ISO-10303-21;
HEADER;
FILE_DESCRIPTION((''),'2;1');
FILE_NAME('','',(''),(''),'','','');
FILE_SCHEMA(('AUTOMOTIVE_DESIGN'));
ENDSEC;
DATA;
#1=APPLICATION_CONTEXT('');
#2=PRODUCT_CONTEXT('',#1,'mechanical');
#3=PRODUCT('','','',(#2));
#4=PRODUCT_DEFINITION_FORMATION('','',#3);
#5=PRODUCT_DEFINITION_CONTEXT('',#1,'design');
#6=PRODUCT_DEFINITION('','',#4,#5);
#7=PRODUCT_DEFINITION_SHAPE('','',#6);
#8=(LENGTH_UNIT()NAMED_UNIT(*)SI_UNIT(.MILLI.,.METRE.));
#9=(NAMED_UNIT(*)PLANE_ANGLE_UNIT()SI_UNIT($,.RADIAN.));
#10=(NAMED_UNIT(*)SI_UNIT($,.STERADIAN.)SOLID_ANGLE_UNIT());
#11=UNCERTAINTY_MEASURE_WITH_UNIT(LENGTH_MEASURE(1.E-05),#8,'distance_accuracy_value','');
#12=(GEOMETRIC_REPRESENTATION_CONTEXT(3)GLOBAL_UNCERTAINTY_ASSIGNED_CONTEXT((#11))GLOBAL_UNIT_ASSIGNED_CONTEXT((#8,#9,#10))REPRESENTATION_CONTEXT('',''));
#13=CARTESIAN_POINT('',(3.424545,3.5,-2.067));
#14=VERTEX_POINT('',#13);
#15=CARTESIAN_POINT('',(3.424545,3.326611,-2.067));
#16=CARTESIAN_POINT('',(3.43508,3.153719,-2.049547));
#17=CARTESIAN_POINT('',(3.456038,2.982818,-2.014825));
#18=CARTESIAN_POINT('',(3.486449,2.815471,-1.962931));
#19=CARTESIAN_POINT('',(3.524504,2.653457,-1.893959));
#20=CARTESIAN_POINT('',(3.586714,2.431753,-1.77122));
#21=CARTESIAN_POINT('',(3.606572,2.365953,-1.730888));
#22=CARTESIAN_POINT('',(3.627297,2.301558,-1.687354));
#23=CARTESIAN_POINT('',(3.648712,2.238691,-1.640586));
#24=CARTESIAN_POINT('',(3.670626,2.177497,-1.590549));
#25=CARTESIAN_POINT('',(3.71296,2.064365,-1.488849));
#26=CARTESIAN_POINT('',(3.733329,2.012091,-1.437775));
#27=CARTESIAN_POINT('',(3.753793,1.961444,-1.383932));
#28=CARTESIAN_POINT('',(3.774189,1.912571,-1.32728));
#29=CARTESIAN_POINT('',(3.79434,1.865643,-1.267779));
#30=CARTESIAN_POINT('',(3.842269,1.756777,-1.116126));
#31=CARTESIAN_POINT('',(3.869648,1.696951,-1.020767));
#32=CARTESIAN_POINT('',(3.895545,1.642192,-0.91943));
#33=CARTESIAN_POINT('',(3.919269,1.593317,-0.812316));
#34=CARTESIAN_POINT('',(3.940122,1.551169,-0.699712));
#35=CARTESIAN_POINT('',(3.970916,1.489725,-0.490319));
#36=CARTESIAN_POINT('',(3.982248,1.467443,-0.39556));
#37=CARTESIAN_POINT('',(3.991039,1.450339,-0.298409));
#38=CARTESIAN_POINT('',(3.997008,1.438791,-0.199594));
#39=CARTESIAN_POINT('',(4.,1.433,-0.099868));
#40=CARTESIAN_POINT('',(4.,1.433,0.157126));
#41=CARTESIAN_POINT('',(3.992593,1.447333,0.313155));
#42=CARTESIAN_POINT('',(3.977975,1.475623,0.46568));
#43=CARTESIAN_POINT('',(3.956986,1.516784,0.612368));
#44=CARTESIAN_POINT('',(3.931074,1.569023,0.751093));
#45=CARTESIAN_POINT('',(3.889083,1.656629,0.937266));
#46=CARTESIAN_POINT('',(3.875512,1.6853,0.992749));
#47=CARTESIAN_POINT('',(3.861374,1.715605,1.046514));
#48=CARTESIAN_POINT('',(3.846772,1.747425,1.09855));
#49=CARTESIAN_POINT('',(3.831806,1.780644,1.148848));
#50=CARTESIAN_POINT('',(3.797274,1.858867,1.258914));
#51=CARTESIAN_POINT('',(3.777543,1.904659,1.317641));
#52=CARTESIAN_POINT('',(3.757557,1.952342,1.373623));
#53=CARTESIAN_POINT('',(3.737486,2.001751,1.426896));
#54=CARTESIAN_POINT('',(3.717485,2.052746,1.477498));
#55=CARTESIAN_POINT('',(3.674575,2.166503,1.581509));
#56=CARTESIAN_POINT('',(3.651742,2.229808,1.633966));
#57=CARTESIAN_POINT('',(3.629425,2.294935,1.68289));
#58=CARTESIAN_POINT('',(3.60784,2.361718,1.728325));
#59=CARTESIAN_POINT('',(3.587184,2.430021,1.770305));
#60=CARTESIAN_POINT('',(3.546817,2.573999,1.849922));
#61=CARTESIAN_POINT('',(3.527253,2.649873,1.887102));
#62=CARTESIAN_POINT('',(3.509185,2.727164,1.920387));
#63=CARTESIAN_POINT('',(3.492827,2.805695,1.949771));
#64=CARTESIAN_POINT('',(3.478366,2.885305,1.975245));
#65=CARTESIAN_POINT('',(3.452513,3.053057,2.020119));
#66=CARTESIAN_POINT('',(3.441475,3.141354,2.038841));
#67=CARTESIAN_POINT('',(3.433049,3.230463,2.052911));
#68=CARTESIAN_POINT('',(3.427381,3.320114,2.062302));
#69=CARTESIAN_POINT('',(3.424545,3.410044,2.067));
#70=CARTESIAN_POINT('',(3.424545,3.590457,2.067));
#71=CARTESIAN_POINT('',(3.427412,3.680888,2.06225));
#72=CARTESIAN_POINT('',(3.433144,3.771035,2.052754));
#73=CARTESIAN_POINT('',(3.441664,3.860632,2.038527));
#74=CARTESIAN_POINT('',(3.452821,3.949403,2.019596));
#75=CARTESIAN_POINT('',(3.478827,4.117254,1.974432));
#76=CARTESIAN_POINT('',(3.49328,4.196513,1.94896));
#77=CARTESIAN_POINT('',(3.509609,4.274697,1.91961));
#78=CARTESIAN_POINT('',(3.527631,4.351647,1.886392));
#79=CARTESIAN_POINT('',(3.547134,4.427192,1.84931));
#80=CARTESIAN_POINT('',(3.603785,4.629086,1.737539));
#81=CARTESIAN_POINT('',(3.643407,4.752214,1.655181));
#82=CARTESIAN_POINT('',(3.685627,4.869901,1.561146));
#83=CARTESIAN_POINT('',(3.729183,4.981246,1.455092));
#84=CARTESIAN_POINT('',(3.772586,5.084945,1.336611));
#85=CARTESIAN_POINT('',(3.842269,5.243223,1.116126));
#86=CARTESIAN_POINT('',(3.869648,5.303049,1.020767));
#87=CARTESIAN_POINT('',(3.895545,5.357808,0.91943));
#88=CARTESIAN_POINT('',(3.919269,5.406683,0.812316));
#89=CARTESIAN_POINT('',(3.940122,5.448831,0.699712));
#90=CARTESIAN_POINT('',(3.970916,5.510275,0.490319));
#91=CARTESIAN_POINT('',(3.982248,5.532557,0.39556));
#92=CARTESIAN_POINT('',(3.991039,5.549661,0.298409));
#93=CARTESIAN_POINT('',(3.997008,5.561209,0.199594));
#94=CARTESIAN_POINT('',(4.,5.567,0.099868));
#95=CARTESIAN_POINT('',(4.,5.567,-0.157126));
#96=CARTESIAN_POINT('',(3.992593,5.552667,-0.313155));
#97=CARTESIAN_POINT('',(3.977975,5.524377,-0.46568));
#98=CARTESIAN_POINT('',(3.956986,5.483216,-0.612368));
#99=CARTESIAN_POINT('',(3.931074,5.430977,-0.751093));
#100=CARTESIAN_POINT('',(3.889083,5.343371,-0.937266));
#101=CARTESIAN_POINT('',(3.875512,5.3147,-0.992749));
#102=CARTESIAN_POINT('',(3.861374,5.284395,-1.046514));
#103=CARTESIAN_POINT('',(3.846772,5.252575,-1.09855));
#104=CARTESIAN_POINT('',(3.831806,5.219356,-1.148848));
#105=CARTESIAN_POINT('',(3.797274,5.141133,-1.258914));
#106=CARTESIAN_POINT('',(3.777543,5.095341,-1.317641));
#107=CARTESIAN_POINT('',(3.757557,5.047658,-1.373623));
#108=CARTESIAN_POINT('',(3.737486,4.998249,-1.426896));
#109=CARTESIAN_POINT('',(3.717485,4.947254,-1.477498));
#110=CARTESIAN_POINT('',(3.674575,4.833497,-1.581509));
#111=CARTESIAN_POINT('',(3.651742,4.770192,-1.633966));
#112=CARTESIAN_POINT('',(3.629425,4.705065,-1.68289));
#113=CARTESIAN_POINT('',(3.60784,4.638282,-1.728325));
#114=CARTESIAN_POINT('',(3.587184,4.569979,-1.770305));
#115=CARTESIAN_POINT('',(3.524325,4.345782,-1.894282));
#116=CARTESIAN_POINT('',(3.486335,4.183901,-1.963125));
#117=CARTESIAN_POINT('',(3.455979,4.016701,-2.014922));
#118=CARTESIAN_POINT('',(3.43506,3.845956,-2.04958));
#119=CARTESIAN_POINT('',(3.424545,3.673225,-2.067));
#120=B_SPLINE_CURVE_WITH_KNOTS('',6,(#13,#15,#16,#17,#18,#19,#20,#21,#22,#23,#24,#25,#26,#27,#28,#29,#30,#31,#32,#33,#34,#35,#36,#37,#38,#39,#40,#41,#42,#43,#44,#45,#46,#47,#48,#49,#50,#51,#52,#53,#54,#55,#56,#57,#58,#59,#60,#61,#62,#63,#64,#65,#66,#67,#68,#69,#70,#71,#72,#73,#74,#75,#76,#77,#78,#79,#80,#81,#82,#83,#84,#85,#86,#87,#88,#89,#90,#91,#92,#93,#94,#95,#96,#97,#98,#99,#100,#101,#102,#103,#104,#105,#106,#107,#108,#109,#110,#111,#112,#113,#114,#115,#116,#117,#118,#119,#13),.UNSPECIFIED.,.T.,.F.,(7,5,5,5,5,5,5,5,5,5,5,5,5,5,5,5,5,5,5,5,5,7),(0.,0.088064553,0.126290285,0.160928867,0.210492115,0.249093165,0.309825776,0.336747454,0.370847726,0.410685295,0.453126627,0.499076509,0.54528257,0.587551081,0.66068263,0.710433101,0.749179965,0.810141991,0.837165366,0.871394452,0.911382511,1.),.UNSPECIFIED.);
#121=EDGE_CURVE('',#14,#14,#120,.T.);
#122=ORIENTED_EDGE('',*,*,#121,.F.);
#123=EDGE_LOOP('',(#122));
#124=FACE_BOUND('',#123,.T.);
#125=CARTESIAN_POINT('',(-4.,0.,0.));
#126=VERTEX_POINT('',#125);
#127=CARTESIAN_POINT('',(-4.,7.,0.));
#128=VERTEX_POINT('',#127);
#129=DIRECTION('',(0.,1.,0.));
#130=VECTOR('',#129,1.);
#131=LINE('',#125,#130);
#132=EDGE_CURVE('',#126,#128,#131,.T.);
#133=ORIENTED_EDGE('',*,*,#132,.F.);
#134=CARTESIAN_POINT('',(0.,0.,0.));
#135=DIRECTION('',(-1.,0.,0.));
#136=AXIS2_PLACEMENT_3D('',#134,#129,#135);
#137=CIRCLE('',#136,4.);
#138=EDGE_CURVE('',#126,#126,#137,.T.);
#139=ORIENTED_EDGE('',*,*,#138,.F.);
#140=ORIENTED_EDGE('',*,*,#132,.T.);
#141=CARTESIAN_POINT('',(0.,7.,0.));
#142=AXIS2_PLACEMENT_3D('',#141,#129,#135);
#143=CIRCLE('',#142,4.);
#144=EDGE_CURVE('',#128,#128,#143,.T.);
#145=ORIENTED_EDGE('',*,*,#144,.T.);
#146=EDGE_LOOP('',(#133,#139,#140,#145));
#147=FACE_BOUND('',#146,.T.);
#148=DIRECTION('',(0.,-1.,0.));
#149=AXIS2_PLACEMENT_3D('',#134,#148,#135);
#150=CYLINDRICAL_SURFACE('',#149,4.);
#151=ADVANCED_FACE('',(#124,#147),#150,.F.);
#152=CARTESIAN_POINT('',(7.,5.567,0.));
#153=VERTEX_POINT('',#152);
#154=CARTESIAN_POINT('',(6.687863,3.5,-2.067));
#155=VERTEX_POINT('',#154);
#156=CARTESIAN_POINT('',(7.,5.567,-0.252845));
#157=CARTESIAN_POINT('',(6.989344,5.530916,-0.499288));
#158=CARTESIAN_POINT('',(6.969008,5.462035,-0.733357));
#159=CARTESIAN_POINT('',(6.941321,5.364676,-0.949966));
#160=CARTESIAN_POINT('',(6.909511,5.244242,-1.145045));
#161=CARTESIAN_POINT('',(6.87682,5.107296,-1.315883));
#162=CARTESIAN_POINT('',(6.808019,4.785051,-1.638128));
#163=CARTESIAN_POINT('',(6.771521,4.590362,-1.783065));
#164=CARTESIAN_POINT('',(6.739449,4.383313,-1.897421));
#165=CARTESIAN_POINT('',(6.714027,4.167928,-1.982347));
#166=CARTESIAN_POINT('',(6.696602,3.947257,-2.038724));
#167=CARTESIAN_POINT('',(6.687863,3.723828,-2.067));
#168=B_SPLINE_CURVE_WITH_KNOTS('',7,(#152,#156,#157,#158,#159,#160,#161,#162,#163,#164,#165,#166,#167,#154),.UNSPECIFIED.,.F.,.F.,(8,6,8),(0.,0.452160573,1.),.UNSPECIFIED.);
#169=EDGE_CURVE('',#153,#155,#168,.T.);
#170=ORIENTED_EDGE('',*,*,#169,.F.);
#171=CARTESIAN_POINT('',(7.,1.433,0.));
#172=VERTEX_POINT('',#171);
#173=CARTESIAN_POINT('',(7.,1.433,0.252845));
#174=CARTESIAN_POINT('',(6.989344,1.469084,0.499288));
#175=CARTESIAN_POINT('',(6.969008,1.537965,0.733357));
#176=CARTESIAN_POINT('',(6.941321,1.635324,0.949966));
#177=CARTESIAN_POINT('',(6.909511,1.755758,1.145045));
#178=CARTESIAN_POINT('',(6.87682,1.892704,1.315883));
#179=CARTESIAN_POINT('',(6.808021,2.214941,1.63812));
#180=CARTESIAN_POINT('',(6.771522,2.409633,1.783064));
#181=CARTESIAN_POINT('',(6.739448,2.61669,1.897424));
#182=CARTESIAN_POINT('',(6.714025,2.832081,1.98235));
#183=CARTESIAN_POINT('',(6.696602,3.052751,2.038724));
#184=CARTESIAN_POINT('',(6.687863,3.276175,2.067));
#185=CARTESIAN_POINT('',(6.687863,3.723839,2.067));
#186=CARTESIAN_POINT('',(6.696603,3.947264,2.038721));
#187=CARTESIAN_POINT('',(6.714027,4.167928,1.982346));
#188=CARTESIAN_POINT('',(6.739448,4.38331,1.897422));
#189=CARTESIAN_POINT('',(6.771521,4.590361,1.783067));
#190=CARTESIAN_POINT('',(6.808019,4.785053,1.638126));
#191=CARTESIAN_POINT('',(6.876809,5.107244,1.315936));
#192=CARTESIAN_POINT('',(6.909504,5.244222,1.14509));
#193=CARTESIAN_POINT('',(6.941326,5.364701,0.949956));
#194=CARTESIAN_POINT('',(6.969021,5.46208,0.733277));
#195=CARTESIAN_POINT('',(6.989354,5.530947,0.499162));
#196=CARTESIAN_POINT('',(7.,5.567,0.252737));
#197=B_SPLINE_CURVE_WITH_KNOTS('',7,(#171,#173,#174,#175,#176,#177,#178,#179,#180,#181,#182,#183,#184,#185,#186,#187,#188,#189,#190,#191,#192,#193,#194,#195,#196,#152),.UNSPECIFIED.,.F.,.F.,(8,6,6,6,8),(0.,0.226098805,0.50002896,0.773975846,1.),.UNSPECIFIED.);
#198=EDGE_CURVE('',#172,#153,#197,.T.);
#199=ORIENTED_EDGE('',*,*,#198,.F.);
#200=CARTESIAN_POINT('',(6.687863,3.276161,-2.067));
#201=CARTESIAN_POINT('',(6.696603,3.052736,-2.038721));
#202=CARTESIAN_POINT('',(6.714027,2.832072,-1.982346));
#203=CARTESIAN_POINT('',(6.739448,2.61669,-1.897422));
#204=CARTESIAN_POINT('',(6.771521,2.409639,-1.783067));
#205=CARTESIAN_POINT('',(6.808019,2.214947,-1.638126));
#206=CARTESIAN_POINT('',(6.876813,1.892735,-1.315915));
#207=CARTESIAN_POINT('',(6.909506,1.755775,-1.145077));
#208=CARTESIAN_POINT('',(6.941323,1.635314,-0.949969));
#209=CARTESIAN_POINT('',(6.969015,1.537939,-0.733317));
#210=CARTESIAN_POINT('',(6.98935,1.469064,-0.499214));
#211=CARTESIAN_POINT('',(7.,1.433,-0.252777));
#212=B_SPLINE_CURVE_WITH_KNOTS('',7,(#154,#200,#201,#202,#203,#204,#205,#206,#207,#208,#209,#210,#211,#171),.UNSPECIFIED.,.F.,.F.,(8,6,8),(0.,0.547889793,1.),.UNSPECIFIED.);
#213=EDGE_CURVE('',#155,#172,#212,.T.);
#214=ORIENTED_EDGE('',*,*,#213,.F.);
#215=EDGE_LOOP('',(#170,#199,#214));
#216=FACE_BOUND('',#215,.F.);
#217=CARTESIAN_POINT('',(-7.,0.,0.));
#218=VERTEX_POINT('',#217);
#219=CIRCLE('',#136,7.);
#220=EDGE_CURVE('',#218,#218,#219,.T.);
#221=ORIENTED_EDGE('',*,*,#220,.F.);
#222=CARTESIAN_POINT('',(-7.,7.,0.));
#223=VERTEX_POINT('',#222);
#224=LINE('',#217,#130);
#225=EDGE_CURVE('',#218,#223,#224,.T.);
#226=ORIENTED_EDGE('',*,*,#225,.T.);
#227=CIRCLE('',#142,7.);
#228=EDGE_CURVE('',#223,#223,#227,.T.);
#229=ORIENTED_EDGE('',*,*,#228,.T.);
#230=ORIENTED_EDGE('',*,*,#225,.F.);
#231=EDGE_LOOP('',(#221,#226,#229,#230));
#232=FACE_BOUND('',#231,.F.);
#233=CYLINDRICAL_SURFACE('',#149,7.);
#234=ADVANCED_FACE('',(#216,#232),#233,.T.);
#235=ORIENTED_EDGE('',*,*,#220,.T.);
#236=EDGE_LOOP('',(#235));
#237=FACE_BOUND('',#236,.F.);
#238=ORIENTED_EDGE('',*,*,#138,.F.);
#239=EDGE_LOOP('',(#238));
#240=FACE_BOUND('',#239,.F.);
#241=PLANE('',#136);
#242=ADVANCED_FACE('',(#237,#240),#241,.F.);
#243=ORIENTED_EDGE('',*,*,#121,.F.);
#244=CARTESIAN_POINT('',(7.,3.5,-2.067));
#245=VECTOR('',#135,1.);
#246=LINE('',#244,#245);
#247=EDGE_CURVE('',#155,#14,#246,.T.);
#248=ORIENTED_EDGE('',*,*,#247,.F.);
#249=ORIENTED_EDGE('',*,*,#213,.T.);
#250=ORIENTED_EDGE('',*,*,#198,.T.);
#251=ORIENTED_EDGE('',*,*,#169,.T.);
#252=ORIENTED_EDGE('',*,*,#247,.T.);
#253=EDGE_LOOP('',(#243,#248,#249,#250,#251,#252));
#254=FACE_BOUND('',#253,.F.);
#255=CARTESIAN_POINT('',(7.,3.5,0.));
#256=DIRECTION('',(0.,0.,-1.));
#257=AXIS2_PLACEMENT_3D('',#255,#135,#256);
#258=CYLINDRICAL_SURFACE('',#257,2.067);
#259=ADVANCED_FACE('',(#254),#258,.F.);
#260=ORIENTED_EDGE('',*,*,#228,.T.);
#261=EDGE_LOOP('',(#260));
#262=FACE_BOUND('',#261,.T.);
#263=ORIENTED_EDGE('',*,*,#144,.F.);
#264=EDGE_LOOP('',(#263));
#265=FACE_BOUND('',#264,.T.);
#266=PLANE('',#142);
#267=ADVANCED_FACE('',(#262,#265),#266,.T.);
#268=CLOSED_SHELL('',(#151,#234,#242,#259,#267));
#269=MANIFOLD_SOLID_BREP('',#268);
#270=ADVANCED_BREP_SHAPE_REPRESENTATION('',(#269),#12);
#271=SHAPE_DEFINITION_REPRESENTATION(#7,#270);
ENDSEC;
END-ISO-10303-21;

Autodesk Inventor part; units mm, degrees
ref_plane "XZ Plane" through (0, 0, 0) normal (0, 1, 0) x (-1, 0, 0)
ref_plane "XY Plane" through (0, 0, 0) normal (0, 0, 1) x (1, 0, 0)
sketch "Sketch1" plane through (0, 0, 0) normal (0, 1, 0) x (-1, 0, 0)
  circle A0 centre (0, 0) radius 7
  circle A1 centre (0, 0) radius 4
  dimension "d0" = 14
  dimension "d1" = 8
extrude "Extrusion1" add sketch "Sketch1" along normal blind 7
ref_plane "Work Plane1" through (7, 0, 0) normal (1, 0, 0) x (0, 1, 0)
sketch "Sketch2" plane through (7, 0, 0) normal (1, 0, 0) x (0, 1, 0)
  line L0 (7, -7) -> (7, 7) projected
  point P0 (0, 0)
  point P1 (3.5, 0)
  dimension "d4" = 3.5
hole "Hole1" at (7, 3.5, 0) direction (-1, 0, 0) diameter 4.134 depth 5 thread size "M5x0.8" class "6H" standard "ISO Metric profile"
properties part number "Lock Collar 8mm" material "Aluminum 6061"
